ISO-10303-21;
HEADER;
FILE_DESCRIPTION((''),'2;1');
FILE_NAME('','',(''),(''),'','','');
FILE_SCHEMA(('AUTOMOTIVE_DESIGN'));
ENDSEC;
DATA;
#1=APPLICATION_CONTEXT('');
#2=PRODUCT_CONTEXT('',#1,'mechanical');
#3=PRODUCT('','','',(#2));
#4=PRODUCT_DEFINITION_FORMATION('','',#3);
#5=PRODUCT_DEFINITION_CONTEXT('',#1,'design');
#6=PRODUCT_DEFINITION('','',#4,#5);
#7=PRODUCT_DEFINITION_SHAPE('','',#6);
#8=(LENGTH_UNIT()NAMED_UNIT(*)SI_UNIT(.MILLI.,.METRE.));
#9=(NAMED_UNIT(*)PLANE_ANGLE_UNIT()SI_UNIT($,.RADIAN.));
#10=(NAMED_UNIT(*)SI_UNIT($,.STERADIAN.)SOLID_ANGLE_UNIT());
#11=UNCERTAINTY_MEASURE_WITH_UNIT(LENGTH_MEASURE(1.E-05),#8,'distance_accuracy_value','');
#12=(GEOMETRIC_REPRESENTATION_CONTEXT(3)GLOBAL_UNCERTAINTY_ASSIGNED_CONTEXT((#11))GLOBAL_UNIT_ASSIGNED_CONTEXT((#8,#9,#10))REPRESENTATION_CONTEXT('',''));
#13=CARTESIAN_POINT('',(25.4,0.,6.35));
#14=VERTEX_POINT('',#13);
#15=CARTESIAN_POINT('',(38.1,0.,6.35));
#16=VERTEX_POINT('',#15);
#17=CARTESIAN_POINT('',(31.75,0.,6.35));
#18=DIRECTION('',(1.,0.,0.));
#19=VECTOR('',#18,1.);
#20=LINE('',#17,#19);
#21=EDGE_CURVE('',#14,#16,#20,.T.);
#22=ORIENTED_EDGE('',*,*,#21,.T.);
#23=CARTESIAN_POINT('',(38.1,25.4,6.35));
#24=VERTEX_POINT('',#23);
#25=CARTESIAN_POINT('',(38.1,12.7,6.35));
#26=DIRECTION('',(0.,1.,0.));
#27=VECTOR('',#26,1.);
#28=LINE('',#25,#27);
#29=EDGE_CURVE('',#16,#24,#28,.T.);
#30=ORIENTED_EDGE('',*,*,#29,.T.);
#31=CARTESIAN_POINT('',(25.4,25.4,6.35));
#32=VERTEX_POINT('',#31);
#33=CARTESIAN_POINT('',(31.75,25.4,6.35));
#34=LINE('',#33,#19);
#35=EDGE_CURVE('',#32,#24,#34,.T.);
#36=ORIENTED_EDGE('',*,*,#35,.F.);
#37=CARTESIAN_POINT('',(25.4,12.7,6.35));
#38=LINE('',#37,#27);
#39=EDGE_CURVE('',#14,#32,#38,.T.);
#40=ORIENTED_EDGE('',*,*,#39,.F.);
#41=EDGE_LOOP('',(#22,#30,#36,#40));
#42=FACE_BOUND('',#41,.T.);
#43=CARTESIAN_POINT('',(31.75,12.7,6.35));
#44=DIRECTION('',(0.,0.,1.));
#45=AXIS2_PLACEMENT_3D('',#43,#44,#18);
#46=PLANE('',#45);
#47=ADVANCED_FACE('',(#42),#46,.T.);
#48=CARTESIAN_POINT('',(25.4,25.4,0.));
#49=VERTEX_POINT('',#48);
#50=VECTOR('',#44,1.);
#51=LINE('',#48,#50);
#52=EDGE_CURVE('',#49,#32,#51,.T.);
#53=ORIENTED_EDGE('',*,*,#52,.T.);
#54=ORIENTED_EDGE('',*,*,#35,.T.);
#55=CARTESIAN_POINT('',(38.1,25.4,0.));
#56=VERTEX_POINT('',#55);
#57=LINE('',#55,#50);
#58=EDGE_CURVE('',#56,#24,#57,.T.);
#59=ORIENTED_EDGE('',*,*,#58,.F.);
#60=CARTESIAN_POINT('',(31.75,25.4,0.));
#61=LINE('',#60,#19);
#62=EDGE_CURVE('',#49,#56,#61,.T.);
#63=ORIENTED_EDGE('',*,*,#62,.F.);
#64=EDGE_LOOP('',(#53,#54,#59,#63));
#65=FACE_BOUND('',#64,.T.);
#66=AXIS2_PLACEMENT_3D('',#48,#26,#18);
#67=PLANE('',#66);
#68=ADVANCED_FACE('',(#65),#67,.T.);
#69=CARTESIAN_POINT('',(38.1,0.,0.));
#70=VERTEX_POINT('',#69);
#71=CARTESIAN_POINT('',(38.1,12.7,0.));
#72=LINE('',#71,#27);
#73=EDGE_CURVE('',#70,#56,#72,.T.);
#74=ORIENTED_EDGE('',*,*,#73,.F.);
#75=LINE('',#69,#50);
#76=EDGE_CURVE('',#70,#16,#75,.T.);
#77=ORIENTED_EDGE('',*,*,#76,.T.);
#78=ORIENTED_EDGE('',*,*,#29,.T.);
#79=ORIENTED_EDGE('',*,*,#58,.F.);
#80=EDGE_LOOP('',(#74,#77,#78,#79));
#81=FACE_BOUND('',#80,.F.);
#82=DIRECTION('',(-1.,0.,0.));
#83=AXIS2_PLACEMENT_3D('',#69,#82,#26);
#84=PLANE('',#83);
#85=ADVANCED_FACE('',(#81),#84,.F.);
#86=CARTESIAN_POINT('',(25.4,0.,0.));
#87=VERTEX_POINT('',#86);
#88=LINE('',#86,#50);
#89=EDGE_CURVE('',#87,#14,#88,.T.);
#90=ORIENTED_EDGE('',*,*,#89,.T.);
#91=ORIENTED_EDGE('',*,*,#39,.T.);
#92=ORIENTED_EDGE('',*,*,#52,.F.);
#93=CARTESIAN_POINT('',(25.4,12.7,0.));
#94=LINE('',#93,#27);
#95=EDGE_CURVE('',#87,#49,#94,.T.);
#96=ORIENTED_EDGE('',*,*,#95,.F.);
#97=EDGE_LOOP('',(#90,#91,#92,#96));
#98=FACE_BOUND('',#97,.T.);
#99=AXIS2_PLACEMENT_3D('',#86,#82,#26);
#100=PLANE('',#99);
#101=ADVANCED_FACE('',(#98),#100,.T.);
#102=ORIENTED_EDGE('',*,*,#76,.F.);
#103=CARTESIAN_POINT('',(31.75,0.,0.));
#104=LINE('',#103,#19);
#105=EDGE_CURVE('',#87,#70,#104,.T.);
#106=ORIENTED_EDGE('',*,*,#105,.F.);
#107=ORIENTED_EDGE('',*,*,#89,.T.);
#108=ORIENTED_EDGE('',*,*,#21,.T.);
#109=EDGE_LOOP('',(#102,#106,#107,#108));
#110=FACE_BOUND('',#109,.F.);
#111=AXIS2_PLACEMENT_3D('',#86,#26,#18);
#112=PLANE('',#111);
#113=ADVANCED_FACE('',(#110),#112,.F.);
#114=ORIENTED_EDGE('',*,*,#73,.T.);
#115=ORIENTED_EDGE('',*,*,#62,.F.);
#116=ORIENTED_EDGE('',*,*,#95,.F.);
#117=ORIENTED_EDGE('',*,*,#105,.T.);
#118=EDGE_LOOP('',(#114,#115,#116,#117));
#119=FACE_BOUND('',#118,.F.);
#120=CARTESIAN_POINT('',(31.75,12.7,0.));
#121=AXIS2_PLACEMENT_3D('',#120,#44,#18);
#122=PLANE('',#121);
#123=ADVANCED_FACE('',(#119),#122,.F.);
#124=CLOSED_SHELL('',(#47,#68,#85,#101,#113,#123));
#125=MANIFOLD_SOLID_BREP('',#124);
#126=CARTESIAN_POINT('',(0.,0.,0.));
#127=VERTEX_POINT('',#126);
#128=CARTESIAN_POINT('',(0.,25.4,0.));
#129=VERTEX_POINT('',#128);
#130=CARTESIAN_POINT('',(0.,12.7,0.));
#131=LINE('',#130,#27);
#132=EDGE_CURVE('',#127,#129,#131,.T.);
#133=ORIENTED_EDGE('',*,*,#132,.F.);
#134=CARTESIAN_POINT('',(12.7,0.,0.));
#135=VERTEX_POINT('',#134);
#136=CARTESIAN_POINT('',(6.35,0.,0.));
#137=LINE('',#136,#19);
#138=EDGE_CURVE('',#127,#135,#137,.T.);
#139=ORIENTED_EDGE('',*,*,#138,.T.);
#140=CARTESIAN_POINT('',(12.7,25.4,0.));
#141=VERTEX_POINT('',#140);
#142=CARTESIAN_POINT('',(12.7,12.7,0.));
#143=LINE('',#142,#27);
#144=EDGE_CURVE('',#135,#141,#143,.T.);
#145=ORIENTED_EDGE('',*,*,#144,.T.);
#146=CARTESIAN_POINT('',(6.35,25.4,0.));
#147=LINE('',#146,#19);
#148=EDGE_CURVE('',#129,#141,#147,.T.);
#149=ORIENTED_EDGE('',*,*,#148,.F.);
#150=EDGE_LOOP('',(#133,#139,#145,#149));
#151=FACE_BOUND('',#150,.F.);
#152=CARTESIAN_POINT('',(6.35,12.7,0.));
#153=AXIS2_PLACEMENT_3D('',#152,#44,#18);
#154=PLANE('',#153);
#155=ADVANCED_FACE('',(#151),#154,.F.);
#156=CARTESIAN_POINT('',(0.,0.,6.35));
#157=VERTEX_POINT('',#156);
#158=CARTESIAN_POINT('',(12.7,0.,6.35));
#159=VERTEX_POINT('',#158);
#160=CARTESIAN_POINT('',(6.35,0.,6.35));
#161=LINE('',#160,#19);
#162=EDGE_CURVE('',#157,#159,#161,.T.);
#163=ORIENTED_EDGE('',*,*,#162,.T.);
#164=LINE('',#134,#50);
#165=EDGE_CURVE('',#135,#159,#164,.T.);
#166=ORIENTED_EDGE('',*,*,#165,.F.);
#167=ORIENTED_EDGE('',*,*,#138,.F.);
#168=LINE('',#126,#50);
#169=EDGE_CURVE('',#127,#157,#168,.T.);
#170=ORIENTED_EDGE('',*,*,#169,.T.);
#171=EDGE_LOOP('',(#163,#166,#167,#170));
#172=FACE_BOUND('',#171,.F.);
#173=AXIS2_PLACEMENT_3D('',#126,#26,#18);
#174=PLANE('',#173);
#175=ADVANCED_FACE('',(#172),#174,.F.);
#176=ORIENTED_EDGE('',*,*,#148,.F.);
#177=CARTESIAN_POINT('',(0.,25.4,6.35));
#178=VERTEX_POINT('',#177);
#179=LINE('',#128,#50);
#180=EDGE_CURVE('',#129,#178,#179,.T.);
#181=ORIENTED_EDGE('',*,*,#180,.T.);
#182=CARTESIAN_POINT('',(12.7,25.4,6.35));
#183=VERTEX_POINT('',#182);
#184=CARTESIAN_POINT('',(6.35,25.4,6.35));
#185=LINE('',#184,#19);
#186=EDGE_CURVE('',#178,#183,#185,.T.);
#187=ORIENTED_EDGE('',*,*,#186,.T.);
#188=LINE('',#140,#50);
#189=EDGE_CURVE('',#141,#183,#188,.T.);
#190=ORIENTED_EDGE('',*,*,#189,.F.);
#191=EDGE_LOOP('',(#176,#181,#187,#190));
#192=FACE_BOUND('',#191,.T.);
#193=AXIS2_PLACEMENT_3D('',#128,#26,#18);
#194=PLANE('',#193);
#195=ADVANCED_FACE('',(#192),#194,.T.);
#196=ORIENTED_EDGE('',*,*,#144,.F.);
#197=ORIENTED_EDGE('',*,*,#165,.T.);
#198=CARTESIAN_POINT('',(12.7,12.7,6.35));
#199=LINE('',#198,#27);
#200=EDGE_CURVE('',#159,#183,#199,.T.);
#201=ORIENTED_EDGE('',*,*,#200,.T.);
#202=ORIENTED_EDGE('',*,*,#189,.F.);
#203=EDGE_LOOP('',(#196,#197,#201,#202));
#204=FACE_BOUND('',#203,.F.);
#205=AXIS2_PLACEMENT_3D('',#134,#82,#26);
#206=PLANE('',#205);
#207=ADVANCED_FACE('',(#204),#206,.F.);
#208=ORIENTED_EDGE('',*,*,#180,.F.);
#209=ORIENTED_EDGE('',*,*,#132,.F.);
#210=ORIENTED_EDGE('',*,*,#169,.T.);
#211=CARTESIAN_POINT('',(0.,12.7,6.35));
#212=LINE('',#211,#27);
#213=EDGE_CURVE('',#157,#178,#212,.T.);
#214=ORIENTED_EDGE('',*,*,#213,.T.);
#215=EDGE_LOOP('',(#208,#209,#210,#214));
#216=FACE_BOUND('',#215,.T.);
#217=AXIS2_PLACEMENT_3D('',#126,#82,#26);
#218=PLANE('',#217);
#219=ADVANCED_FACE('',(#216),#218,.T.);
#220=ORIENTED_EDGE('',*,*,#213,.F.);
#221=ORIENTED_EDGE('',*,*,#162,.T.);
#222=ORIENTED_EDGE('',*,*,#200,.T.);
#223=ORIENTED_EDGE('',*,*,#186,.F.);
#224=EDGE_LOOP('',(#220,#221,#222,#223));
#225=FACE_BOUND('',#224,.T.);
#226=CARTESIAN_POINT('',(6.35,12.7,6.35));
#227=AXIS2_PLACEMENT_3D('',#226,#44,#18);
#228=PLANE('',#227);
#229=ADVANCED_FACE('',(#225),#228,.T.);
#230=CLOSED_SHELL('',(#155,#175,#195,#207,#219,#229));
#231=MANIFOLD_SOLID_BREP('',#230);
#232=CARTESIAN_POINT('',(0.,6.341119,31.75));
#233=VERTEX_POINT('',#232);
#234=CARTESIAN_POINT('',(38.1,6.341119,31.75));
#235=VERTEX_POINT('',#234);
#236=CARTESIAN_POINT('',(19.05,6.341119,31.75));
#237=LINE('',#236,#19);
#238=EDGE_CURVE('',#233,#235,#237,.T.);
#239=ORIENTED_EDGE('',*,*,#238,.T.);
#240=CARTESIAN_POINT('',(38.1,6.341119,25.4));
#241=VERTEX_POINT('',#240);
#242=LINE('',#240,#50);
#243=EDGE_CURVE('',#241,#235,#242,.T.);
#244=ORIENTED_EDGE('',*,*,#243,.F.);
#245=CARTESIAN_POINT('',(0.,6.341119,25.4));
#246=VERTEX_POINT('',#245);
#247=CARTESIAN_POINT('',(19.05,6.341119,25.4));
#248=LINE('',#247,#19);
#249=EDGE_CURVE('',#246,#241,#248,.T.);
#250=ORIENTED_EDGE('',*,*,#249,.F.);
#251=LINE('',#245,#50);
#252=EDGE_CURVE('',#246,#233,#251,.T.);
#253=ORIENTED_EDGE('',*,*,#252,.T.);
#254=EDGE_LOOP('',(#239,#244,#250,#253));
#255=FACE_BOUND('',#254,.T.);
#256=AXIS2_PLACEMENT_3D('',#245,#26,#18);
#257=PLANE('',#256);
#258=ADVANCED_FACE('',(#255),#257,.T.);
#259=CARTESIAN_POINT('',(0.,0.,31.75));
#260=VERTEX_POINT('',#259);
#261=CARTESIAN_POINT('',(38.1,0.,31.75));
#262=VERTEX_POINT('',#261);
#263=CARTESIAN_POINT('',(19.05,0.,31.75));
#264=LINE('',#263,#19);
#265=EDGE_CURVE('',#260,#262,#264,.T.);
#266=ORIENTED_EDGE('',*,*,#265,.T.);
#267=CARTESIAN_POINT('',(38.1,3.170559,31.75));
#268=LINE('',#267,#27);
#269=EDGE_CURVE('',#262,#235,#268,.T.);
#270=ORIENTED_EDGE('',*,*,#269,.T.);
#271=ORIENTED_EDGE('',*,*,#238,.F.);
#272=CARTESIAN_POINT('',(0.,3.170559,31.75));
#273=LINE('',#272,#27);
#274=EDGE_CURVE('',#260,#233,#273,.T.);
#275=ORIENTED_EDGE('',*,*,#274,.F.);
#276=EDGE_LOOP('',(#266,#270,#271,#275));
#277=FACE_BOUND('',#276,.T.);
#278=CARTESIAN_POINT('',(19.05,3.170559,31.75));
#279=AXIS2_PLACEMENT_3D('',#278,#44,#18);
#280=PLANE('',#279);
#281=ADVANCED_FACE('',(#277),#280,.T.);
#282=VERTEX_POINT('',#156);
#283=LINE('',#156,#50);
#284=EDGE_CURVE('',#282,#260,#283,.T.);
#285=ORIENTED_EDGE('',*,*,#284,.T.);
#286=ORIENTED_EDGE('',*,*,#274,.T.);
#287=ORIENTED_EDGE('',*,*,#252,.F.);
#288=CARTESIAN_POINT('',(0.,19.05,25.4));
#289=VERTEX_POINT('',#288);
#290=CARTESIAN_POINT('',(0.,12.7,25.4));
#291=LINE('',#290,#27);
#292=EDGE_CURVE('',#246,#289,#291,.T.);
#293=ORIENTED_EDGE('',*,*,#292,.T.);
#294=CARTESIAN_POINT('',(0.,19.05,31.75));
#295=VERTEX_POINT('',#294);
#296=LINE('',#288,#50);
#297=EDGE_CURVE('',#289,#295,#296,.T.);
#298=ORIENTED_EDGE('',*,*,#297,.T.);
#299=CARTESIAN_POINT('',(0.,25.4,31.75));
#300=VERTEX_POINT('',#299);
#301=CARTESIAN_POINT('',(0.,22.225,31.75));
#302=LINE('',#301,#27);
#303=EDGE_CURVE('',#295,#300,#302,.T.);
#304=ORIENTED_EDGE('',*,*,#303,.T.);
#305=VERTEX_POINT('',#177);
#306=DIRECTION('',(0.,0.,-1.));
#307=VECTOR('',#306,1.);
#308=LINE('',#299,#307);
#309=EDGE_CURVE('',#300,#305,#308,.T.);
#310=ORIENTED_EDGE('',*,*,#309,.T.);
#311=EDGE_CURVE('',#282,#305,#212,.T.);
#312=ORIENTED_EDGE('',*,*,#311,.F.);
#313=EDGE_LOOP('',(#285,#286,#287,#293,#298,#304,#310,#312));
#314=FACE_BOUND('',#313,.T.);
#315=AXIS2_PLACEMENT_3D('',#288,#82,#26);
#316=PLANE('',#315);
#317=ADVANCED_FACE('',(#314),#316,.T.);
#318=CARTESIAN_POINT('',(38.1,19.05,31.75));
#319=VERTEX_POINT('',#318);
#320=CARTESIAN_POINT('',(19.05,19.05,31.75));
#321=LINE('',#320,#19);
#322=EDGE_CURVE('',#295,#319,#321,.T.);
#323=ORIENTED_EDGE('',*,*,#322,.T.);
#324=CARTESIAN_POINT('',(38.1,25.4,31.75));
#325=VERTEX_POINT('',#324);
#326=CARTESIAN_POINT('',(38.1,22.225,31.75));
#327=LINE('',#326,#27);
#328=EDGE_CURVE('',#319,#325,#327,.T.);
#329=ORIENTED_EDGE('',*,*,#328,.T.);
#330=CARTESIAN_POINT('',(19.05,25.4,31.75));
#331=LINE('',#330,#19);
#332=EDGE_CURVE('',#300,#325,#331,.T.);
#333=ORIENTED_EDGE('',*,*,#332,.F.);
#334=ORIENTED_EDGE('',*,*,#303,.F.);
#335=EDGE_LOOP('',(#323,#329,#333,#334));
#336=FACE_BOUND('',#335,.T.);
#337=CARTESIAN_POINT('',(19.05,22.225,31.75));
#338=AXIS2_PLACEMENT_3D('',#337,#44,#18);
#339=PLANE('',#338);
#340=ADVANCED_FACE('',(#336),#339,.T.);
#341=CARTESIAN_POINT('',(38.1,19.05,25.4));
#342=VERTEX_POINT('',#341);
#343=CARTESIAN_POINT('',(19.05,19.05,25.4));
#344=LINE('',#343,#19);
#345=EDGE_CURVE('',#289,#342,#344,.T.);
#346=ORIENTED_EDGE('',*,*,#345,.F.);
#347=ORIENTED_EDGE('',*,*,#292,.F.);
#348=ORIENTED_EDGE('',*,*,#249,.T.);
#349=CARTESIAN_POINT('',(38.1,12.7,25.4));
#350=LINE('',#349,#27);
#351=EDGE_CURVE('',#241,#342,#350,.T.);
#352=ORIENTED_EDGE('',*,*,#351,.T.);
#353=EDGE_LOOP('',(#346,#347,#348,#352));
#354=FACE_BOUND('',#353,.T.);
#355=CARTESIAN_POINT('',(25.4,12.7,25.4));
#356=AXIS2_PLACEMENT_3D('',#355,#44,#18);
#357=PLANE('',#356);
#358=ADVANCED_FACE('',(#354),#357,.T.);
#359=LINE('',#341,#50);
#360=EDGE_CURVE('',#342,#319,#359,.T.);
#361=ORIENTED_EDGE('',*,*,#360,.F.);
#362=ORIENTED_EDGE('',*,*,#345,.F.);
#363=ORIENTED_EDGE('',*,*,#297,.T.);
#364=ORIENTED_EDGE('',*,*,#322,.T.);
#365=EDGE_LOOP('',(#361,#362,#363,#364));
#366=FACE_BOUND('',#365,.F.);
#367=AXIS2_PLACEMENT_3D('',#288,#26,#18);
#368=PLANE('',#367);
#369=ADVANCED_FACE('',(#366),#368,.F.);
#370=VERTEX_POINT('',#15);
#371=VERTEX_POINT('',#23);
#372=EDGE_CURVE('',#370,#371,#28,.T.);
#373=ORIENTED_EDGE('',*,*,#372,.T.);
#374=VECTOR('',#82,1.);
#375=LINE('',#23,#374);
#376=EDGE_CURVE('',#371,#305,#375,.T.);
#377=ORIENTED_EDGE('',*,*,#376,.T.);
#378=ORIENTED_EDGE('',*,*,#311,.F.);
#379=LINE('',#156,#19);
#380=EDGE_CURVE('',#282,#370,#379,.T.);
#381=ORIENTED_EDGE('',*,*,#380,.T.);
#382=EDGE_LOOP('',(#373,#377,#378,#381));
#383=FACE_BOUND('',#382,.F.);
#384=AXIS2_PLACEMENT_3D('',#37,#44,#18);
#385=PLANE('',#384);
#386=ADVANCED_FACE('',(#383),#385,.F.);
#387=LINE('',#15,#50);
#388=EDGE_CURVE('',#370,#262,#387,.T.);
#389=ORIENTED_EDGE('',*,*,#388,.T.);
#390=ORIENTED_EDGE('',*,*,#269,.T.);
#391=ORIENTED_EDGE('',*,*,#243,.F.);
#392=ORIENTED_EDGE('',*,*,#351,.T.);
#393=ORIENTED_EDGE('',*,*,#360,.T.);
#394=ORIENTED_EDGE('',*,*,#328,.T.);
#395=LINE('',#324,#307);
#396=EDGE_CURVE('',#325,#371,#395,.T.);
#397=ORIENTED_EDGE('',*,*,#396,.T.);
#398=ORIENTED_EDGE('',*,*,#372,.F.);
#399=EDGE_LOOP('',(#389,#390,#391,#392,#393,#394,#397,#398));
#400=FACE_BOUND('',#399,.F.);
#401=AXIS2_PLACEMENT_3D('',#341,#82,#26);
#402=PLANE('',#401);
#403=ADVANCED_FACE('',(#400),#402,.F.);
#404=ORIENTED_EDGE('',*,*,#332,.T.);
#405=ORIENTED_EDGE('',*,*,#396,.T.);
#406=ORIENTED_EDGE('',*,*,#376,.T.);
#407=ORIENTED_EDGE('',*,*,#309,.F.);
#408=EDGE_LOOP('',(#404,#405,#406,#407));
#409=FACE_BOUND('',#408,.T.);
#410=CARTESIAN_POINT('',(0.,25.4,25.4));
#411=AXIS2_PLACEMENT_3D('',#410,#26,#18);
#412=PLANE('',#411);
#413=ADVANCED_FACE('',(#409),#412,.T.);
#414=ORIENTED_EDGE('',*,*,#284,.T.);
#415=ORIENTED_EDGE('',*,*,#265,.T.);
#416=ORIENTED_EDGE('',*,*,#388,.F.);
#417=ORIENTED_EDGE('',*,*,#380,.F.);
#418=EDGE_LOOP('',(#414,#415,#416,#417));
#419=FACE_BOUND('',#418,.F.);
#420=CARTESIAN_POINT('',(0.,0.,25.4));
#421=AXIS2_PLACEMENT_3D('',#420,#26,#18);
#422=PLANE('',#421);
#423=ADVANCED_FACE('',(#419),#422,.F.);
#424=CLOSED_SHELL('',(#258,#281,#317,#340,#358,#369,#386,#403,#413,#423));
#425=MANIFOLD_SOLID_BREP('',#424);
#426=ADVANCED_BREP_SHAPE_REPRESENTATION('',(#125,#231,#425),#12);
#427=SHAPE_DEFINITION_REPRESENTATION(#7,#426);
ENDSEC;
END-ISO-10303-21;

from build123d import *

# Parameters (mm, degrees)
F0_W     = 12.7
F0_H     = 25.4
F1_DEPTH = 6.35
F3_W     = 25.4
F3_H     = 25.4
F3_W_2   = 12.7
F4_DEPTH = 19.05
F5_W     = 38.1
F5_H     = 6.3411188312
F6_DEPTH = 6.35
F7_W     = 38.1
F7_H     = 6.35
F8_DEPTH = 6.35


with BuildPart() as f1:
    # F0 (on Top) → F1 (new body)
    with BuildSketch(Plane.XY):
        with Locations((31.75, 12.7)):
            Rectangle(F0_W, F0_H)
    extrude(amount=F1_DEPTH)


with BuildPart() as f1b:
    # F0 (on Top) → F1, piece 2 (new body)
    with BuildSketch(Plane.XY):
        with Locations((6.35, 12.7)):
            Rectangle(F0_W, F0_H)
    extrude(amount=F1_DEPTH)


with BuildPart() as f4:
    # F3 (on face) → F4 (new body)
    with BuildSketch(Plane.XY.offset(6.35)):
        with Locations((25.4, 12.7)):
            Rectangle(F3_W, F3_H)
        with Locations((6.35, 12.7)):
            Rectangle(F3_W_2, F3_H)
    extrude(amount=F4_DEPTH)

    # F5 (on face) → F6 (join)
    with BuildSketch(Plane.XY.offset(25.4)):
        with Locations((19.05, 3.1705594156)):
            Rectangle(F5_W, F5_H)
    extrude(amount=F6_DEPTH)

    # F7 (on face) → F8 (join)
    with BuildSketch(Plane.XY.offset(25.4)):
        with Locations((19.05, 22.225)):
            Rectangle(F7_W, F7_H)
    extrude(amount=F8_DEPTH)


solid = Compound([f1.part, f1b.part, f4.part])
